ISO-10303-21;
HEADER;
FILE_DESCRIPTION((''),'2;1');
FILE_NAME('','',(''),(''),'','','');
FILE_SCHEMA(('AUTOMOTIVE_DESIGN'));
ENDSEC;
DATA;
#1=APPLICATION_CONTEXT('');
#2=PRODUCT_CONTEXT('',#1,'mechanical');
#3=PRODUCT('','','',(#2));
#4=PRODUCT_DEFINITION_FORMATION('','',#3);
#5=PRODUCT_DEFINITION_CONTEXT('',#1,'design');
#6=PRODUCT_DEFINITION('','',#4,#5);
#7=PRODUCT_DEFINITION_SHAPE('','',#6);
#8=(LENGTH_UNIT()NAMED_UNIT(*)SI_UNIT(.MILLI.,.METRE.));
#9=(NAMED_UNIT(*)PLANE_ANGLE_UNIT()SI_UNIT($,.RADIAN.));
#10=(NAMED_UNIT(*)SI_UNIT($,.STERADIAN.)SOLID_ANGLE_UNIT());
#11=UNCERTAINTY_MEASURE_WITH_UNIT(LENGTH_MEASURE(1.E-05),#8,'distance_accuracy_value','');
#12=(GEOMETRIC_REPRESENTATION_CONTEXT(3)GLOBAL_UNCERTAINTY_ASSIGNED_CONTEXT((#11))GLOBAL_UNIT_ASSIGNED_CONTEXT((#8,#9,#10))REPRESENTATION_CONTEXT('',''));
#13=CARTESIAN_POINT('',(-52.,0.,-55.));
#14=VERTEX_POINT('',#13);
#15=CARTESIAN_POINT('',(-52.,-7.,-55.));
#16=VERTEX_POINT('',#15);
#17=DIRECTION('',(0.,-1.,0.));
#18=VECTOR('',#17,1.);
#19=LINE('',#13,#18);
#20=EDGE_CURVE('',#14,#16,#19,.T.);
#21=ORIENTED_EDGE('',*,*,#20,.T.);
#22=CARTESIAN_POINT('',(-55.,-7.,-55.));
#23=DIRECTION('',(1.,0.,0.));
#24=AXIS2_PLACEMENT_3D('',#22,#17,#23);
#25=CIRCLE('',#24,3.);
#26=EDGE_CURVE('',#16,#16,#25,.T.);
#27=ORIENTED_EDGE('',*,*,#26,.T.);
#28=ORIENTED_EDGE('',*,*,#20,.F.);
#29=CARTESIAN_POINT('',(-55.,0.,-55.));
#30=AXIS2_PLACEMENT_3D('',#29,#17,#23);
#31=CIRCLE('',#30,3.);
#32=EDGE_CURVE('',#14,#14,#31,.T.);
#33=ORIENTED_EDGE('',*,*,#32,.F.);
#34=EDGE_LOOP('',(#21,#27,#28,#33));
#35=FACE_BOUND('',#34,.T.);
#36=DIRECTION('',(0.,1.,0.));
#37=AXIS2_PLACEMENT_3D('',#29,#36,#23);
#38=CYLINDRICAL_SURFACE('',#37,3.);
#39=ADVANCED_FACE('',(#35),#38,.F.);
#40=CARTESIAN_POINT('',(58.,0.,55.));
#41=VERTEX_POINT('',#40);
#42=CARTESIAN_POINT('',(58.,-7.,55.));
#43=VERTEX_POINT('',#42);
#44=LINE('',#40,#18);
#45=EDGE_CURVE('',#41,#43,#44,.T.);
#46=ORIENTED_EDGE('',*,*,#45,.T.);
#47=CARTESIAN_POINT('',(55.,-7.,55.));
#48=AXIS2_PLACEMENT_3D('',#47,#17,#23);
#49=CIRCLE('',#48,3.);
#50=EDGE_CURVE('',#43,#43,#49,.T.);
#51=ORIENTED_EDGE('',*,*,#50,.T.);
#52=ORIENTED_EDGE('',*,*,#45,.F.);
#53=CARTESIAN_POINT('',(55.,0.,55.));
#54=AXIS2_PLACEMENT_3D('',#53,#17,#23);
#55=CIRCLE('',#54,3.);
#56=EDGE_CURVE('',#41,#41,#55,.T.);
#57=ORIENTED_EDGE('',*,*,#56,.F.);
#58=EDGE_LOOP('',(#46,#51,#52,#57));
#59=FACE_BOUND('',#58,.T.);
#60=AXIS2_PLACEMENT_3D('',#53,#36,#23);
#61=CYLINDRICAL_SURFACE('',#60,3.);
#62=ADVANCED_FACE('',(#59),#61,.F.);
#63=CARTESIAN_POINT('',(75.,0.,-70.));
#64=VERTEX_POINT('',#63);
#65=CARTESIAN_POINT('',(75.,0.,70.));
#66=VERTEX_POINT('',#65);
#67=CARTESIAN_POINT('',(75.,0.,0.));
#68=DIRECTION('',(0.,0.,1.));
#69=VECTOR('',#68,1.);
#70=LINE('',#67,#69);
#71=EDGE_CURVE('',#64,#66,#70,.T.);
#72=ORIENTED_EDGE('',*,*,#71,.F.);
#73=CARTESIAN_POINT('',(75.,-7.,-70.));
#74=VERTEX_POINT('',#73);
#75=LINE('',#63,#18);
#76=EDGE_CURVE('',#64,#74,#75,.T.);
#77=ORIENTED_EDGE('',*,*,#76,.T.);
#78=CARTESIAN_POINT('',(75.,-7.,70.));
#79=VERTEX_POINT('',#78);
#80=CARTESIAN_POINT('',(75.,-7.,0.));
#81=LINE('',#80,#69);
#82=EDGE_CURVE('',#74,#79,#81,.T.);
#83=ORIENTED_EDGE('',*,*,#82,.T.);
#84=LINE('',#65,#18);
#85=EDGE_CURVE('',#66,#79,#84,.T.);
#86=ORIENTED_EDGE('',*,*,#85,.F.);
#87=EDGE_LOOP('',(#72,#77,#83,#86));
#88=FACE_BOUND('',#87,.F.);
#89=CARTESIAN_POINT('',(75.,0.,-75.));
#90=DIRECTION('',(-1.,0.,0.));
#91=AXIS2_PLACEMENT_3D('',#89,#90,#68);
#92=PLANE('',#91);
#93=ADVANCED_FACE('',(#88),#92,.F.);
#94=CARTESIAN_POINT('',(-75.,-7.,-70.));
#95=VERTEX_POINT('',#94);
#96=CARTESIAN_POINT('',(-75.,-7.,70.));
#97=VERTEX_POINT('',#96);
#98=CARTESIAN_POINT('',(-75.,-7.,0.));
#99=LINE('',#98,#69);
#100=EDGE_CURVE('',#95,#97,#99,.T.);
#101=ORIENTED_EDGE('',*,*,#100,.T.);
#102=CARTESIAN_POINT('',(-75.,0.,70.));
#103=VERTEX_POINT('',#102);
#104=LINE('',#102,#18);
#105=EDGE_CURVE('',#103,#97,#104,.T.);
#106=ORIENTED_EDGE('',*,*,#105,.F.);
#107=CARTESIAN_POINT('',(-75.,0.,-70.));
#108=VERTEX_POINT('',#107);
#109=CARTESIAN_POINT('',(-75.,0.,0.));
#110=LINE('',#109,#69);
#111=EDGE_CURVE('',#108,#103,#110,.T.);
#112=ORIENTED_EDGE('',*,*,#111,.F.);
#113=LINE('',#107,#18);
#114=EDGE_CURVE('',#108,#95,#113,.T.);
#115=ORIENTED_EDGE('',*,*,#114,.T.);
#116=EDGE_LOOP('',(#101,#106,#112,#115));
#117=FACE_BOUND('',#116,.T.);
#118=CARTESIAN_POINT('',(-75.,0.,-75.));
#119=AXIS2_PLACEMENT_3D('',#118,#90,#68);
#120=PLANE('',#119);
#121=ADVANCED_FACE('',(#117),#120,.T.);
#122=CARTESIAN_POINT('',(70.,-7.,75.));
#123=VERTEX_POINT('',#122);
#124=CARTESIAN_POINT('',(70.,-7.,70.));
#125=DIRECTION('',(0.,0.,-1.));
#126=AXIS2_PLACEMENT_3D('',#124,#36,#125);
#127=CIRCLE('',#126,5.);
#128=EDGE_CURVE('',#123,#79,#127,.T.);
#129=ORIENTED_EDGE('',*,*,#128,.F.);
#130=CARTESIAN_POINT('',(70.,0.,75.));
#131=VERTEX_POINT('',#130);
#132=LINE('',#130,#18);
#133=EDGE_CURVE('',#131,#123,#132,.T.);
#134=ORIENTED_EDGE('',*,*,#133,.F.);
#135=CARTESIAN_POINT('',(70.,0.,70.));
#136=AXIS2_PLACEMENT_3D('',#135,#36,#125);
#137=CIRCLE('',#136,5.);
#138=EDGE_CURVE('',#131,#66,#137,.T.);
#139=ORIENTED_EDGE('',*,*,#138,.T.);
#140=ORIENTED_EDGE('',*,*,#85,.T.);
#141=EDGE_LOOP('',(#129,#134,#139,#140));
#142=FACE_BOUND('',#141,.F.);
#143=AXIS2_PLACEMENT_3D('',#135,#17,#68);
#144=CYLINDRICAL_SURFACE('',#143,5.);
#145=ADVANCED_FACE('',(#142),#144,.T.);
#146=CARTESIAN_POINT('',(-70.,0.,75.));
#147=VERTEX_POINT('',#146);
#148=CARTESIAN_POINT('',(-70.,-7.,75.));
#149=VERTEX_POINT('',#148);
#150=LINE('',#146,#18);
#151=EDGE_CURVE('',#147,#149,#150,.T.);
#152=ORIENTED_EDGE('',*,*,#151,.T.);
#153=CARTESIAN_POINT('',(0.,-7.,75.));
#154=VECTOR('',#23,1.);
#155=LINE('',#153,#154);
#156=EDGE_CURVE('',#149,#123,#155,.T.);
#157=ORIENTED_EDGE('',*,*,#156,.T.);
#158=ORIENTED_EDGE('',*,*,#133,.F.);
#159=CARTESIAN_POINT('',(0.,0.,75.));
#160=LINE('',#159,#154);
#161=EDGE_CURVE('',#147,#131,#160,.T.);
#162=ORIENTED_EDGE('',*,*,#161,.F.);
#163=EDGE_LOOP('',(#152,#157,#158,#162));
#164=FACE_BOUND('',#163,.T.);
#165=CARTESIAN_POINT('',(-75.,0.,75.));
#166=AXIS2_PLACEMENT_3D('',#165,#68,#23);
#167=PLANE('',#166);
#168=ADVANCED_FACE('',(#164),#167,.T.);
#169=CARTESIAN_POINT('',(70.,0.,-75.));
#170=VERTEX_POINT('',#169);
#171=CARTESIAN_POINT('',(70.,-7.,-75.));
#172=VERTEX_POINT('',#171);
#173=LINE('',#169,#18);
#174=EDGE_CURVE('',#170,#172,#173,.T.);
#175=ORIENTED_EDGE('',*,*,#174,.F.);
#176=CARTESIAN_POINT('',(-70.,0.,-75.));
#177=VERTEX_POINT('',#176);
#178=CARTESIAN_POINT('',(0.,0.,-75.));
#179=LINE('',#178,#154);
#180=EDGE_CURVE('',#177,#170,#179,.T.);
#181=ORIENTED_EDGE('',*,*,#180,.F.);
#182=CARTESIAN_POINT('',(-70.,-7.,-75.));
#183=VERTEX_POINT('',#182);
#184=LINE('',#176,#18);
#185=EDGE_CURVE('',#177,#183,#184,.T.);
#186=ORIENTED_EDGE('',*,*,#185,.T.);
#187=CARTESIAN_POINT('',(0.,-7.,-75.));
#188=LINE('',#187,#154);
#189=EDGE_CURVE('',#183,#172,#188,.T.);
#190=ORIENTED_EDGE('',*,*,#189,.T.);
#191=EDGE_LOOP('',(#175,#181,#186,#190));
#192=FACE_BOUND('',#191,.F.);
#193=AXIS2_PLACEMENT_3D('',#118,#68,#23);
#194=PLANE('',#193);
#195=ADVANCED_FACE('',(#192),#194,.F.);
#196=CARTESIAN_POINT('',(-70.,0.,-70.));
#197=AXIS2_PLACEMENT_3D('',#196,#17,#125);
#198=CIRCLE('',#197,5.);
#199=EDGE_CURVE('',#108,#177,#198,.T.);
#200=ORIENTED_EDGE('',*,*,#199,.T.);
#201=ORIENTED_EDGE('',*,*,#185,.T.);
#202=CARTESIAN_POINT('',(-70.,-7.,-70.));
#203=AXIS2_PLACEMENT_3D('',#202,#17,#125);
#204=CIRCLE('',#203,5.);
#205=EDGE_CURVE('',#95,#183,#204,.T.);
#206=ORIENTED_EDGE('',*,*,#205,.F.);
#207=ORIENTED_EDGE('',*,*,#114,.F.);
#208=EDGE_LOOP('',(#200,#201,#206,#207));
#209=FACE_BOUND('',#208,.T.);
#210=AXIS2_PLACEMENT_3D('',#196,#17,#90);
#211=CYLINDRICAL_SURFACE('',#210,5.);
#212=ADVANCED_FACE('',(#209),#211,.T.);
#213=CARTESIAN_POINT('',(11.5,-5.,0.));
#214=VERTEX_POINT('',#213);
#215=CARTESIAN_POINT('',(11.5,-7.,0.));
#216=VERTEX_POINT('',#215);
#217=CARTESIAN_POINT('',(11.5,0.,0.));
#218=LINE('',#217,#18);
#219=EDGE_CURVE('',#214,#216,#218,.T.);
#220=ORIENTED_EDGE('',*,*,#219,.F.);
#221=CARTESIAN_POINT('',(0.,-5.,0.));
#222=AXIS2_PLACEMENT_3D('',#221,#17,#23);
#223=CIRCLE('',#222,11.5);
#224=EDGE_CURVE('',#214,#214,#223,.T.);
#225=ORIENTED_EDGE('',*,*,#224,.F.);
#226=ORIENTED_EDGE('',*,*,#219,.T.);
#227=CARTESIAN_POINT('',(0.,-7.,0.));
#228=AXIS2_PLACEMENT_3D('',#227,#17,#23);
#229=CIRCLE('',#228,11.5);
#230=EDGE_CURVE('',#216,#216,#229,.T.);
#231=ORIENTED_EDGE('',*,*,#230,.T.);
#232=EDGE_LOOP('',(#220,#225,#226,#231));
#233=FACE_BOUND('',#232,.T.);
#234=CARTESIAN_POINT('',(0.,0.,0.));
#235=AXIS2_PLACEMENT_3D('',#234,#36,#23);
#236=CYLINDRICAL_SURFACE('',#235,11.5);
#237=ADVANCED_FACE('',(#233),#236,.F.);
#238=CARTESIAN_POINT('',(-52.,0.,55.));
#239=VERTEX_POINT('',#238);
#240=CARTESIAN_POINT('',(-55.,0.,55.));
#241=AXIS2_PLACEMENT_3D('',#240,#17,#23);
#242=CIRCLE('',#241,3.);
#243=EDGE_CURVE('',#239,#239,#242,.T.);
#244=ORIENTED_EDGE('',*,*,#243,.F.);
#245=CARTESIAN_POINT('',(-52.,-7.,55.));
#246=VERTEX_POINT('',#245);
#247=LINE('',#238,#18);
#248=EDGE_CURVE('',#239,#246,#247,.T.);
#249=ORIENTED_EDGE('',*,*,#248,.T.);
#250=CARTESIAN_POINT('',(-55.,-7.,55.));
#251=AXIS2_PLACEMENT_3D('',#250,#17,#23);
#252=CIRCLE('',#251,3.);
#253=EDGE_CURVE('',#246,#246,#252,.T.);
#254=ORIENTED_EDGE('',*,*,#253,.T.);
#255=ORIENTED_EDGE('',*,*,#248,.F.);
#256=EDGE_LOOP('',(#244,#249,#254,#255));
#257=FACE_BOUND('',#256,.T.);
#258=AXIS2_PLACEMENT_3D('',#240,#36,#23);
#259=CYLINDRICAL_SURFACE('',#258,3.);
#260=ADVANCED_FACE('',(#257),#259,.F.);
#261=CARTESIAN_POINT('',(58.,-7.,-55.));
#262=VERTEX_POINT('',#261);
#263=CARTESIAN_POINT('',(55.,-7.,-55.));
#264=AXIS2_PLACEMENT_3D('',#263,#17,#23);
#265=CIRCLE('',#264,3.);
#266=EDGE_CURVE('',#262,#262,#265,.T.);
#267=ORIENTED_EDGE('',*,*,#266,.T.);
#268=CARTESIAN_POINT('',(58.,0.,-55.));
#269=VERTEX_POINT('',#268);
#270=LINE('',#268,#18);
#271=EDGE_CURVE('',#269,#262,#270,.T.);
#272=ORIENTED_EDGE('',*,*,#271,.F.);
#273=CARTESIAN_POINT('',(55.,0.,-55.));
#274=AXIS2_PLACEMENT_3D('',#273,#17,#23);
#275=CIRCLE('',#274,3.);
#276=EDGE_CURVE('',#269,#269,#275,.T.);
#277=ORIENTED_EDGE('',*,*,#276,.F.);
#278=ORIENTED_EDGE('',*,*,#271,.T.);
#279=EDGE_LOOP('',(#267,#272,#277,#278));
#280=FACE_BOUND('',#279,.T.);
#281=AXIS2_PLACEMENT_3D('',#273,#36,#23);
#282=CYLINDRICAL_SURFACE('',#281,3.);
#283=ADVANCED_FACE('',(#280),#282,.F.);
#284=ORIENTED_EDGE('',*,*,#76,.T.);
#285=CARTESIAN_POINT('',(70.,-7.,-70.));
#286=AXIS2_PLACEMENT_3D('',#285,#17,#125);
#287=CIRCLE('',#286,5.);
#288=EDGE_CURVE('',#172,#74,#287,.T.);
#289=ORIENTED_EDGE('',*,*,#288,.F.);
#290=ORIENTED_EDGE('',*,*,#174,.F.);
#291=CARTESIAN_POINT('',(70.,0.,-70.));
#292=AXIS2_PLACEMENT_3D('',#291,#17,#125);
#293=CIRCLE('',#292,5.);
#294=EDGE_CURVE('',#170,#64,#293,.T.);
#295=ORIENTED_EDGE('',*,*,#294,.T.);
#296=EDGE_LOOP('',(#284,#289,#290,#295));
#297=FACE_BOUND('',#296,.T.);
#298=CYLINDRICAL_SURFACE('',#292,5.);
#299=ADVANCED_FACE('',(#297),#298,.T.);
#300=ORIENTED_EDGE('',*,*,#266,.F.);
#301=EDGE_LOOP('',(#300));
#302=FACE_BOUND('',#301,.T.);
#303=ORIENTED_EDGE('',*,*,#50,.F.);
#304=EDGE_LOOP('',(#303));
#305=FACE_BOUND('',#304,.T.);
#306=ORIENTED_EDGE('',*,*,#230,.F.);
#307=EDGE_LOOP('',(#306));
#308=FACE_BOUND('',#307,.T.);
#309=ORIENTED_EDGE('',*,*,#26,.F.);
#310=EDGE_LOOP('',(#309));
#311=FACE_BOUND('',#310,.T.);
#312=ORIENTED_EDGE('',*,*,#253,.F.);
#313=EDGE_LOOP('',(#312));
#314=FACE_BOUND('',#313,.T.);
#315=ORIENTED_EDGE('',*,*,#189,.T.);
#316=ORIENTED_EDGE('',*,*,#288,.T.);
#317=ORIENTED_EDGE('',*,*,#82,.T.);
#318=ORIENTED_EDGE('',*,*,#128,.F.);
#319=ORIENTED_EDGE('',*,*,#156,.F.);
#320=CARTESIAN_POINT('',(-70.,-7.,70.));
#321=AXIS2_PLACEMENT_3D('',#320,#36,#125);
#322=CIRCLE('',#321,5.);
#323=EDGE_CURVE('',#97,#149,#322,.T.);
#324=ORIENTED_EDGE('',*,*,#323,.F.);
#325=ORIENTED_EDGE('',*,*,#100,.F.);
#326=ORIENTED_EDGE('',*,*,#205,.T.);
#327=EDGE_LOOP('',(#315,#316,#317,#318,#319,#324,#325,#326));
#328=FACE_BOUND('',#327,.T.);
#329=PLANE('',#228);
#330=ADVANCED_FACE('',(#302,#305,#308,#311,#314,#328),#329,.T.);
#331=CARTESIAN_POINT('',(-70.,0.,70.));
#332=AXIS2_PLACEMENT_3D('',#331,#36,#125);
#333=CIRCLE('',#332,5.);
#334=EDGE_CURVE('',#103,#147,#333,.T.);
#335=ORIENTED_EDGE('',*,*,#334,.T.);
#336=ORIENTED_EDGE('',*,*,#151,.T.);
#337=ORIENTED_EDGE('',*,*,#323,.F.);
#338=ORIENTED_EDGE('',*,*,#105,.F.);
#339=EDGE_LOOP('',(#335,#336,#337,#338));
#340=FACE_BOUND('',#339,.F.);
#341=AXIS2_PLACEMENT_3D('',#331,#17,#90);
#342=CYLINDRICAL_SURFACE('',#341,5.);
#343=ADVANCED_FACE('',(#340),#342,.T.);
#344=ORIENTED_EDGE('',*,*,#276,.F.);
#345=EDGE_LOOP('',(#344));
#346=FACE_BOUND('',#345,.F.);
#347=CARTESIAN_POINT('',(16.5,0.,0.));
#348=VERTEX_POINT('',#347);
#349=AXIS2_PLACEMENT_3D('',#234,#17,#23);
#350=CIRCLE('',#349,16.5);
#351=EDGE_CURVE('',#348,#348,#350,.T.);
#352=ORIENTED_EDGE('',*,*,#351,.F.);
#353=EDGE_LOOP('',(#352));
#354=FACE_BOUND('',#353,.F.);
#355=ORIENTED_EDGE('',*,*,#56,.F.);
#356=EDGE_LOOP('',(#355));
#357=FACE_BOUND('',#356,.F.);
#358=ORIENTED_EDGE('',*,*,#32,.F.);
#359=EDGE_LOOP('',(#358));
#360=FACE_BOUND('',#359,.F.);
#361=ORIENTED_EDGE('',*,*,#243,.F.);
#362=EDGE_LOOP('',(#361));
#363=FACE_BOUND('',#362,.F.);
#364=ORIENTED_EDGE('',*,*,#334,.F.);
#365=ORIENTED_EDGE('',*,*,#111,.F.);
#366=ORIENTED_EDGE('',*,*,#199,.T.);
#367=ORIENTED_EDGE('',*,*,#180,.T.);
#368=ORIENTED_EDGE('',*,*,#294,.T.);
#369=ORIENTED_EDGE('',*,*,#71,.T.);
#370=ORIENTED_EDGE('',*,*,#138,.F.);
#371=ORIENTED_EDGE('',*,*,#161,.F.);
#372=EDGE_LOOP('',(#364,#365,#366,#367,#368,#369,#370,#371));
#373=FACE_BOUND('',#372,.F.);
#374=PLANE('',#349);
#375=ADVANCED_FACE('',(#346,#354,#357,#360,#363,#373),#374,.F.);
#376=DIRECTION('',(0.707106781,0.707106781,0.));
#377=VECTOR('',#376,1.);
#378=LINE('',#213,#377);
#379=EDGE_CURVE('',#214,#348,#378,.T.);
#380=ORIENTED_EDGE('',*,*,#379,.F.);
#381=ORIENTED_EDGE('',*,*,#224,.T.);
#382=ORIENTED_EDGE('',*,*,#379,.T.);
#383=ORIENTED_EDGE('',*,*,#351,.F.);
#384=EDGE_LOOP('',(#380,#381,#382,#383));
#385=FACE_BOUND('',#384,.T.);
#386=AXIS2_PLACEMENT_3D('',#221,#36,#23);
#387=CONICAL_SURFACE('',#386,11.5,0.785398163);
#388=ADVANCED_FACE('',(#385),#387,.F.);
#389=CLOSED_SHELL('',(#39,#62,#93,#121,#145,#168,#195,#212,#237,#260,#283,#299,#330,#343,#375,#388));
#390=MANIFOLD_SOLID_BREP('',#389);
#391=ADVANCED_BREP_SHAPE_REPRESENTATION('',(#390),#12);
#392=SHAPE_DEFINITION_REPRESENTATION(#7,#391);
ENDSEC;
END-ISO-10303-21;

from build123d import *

# Parameters (mm, degrees)
F0_W     = 150
F0_H     = 150
F0_R     = 3
F0_R_2   = 11.5
F1_DEPTH = 7
F2_SIZE  = 5
F3_R     = 5


with BuildPart() as f1:
    # F0 (on Front) → F1 (new body)
    with BuildSketch(Plane.XZ):
        Rectangle(F0_W, F0_H)
        with Locations((-55, -55)):
            Circle(F0_R, mode=Mode.SUBTRACT)
        with Locations((55, -55)):
            Circle(F0_R, mode=Mode.SUBTRACT)
        with Locations((-55, 55)):
            Circle(F0_R, mode=Mode.SUBTRACT)
        Circle(F0_R_2, mode=Mode.SUBTRACT)
        with Locations((55, 55)):
            Circle(F0_R, mode=Mode.SUBTRACT)
    extrude(amount=F1_DEPTH)

    # F2
    f2_edges = [f1.edges().sort_by_distance(p)[0] for p in [
        (-11.5, 0, 0),
    ]]
    chamfer(f2_edges, length=F2_SIZE)

    # F3
    f3_edges = [f1.edges().sort_by_distance(p)[0] for p in [
        (75, -3.5, 75),
        (-75, -3.5, 75),
        (-75, -3.5, -75),
        (75, -3.5, -75),
    ]]
    fillet(f3_edges, radius=F3_R)


solid = f1.part
